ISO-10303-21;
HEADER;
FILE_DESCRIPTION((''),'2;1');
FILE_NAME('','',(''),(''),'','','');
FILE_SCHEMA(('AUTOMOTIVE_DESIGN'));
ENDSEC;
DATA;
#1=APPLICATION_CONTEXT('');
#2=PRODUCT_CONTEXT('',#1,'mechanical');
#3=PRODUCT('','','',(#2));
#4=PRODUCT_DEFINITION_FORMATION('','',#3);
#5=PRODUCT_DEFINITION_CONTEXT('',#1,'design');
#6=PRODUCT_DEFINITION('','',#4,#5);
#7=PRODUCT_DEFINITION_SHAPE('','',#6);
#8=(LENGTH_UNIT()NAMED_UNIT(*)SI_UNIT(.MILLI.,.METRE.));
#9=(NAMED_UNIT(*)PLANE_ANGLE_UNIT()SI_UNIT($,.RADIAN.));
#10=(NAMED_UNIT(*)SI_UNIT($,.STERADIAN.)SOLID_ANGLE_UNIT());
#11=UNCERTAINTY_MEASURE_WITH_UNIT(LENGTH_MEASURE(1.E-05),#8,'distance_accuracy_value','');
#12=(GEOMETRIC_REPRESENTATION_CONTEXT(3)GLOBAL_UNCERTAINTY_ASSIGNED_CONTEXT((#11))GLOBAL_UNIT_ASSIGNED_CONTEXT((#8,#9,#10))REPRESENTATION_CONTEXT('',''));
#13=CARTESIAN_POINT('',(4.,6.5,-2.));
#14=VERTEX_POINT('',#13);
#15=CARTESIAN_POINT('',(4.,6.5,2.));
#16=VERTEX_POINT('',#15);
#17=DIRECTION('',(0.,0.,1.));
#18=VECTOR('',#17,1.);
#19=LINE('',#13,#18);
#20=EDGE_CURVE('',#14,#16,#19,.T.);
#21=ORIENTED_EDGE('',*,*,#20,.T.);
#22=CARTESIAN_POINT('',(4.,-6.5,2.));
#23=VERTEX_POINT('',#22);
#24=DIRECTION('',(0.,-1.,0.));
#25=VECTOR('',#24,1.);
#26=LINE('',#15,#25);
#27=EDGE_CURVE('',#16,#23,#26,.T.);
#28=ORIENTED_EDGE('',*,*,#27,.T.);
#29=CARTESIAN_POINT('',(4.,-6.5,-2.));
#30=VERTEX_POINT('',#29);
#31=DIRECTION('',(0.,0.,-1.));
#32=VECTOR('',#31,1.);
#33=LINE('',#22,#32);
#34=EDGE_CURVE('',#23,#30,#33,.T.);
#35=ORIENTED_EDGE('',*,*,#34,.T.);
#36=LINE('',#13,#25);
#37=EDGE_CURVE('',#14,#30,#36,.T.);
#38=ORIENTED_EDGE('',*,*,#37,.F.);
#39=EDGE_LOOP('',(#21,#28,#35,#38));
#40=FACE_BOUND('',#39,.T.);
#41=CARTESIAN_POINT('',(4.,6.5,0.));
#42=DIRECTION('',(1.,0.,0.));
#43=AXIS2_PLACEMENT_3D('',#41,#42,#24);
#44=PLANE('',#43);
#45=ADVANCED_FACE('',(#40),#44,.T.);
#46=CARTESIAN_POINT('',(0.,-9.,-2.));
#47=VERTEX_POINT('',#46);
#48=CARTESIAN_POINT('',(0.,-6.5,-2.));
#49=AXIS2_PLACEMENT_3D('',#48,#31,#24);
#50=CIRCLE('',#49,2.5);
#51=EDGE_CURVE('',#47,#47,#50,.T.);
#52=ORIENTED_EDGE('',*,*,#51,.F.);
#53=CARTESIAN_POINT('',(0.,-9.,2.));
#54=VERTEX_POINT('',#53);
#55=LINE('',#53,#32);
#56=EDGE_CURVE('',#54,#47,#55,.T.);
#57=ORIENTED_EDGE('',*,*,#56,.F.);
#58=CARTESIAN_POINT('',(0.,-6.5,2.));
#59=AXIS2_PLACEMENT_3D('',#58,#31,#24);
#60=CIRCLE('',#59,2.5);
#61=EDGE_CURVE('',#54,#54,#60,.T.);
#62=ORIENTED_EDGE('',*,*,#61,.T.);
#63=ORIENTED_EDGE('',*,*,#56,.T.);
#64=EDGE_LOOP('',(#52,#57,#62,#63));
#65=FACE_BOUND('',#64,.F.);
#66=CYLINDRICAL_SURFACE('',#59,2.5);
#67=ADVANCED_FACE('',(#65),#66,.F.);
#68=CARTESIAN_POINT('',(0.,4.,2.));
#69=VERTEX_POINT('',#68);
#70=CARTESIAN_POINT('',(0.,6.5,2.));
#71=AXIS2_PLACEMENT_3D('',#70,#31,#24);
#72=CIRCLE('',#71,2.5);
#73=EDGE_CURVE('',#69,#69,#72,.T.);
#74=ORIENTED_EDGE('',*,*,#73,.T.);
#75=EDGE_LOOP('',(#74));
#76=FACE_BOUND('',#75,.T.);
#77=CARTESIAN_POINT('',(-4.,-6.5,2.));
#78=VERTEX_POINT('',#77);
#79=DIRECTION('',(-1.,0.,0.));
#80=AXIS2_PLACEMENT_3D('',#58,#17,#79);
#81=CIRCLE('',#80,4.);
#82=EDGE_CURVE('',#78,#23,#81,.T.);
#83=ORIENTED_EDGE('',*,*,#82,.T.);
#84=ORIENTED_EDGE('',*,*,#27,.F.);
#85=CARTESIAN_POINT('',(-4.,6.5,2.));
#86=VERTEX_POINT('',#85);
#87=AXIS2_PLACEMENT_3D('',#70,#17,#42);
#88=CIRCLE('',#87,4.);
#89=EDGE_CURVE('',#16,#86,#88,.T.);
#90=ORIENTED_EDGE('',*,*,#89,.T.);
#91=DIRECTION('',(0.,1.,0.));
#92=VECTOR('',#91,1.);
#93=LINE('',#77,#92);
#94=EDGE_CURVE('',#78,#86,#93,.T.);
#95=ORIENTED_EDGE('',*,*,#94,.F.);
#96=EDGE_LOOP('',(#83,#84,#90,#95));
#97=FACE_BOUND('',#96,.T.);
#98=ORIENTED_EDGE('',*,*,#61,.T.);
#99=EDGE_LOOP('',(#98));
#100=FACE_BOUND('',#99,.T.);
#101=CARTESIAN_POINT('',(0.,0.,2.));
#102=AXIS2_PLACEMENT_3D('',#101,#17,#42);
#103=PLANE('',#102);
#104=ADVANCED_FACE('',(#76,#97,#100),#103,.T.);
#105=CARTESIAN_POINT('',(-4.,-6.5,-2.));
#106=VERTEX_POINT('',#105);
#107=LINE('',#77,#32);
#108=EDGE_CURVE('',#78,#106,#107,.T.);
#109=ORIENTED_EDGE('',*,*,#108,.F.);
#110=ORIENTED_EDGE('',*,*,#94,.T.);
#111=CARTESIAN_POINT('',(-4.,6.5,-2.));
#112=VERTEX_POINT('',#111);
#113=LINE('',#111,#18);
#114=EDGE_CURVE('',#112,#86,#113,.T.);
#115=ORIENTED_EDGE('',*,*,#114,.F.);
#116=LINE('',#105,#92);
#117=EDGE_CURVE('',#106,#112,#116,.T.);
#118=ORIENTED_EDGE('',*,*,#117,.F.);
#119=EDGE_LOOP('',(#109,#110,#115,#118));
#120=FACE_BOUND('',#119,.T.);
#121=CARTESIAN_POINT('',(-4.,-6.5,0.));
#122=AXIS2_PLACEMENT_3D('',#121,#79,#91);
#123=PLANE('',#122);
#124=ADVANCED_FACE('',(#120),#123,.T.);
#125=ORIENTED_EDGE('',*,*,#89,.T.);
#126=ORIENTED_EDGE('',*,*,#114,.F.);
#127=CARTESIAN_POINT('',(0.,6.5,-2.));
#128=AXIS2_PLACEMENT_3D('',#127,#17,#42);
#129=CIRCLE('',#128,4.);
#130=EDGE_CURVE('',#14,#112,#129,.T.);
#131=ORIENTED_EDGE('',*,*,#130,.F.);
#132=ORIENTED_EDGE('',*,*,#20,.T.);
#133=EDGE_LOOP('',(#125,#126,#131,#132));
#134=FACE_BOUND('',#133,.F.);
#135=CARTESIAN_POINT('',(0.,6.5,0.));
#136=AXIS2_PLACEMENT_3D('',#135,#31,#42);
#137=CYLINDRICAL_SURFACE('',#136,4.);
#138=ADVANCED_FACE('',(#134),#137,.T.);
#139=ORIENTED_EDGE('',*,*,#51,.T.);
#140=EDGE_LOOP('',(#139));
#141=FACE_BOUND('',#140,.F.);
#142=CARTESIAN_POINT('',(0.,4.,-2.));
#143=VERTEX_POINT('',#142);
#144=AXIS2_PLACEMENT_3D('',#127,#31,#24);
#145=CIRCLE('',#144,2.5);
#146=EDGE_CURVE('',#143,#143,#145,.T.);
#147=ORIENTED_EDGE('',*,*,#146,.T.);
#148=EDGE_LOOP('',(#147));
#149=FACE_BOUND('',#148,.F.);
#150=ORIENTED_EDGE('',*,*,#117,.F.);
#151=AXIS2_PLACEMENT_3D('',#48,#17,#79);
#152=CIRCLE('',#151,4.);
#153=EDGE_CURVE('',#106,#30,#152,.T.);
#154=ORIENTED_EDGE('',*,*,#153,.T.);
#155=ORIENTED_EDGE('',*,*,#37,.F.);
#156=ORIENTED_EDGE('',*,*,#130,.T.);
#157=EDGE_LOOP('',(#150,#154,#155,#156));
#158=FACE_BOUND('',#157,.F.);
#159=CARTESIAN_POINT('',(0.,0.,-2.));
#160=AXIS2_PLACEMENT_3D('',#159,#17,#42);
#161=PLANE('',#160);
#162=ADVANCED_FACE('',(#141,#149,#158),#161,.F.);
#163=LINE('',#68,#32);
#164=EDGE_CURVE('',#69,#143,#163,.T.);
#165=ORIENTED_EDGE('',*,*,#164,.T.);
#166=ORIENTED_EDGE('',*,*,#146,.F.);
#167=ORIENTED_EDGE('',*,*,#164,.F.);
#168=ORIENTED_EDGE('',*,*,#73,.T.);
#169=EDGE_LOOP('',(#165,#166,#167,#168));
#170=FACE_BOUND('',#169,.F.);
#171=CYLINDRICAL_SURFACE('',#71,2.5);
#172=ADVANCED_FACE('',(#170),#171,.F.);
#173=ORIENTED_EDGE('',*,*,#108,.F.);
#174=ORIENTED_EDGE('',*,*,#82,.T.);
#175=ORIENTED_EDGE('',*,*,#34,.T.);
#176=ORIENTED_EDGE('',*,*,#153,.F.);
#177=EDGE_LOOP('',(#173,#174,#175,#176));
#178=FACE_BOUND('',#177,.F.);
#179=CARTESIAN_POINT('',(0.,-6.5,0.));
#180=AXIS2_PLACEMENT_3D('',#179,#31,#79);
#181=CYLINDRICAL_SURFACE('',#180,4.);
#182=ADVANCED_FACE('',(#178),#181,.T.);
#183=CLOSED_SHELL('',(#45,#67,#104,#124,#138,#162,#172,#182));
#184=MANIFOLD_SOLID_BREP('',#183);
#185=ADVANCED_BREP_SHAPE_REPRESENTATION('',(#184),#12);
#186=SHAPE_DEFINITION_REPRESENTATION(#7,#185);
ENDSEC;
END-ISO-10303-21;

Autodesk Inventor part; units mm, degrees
ref_plane "YZ Plane" through (0, 0, 0) normal (1, 0, 0) x (0, 1, 0)
ref_plane "XZ Plane" through (0, 0, 0) normal (0, 1, 0) x (-1, 0, 0)
ref_plane "XY Plane" through (0, 0, 0) normal (0, 0, 1) x (1, 0, 0)
sketch "Sketch1" plane through (0, 0, 0) normal (0, 0, 1) x (1, 0, 0)
  line L0 (0, 6.5) -> (0, -6.5) construction
  line L1 (4, 6.5) -> (4, -6.5)
  line L2 (-4, -6.5) -> (-4, 6.5)
  arc A0 (4, 6.5) -> (-4, 6.5) centre (0, 6.5) ccw
  arc A1 (-4, -6.5) -> (4, -6.5) centre (0, -6.5) ccw
  point P0 (0, 0)
  point P1 (0, 0)
  dimension "d0" = 13
  dimension "d1" = 8
extrude "Extrusion1" add sketch "Sketch1" along normal mid plane 4
sketch "Sketch2" plane through (0, 0, 2) normal (0, 0, 1) x (1, 0, 0)
  arc A0 (4, 6.5) -> (-4, 6.5) centre (0, 6.5) ccw projected
  arc A1 (-4, -6.5) -> (4, -6.5) centre (0, -6.5) ccw projected
  point P0 (0, 0)
  point P1 (0, 6.5)
  point P2 (0, -6.5)
hole "Hole1" at (0, 6.5, 2) at (0, -6.5, 2) direction (0, 0, -1) diameter 5 depth 4
properties part number "12"
